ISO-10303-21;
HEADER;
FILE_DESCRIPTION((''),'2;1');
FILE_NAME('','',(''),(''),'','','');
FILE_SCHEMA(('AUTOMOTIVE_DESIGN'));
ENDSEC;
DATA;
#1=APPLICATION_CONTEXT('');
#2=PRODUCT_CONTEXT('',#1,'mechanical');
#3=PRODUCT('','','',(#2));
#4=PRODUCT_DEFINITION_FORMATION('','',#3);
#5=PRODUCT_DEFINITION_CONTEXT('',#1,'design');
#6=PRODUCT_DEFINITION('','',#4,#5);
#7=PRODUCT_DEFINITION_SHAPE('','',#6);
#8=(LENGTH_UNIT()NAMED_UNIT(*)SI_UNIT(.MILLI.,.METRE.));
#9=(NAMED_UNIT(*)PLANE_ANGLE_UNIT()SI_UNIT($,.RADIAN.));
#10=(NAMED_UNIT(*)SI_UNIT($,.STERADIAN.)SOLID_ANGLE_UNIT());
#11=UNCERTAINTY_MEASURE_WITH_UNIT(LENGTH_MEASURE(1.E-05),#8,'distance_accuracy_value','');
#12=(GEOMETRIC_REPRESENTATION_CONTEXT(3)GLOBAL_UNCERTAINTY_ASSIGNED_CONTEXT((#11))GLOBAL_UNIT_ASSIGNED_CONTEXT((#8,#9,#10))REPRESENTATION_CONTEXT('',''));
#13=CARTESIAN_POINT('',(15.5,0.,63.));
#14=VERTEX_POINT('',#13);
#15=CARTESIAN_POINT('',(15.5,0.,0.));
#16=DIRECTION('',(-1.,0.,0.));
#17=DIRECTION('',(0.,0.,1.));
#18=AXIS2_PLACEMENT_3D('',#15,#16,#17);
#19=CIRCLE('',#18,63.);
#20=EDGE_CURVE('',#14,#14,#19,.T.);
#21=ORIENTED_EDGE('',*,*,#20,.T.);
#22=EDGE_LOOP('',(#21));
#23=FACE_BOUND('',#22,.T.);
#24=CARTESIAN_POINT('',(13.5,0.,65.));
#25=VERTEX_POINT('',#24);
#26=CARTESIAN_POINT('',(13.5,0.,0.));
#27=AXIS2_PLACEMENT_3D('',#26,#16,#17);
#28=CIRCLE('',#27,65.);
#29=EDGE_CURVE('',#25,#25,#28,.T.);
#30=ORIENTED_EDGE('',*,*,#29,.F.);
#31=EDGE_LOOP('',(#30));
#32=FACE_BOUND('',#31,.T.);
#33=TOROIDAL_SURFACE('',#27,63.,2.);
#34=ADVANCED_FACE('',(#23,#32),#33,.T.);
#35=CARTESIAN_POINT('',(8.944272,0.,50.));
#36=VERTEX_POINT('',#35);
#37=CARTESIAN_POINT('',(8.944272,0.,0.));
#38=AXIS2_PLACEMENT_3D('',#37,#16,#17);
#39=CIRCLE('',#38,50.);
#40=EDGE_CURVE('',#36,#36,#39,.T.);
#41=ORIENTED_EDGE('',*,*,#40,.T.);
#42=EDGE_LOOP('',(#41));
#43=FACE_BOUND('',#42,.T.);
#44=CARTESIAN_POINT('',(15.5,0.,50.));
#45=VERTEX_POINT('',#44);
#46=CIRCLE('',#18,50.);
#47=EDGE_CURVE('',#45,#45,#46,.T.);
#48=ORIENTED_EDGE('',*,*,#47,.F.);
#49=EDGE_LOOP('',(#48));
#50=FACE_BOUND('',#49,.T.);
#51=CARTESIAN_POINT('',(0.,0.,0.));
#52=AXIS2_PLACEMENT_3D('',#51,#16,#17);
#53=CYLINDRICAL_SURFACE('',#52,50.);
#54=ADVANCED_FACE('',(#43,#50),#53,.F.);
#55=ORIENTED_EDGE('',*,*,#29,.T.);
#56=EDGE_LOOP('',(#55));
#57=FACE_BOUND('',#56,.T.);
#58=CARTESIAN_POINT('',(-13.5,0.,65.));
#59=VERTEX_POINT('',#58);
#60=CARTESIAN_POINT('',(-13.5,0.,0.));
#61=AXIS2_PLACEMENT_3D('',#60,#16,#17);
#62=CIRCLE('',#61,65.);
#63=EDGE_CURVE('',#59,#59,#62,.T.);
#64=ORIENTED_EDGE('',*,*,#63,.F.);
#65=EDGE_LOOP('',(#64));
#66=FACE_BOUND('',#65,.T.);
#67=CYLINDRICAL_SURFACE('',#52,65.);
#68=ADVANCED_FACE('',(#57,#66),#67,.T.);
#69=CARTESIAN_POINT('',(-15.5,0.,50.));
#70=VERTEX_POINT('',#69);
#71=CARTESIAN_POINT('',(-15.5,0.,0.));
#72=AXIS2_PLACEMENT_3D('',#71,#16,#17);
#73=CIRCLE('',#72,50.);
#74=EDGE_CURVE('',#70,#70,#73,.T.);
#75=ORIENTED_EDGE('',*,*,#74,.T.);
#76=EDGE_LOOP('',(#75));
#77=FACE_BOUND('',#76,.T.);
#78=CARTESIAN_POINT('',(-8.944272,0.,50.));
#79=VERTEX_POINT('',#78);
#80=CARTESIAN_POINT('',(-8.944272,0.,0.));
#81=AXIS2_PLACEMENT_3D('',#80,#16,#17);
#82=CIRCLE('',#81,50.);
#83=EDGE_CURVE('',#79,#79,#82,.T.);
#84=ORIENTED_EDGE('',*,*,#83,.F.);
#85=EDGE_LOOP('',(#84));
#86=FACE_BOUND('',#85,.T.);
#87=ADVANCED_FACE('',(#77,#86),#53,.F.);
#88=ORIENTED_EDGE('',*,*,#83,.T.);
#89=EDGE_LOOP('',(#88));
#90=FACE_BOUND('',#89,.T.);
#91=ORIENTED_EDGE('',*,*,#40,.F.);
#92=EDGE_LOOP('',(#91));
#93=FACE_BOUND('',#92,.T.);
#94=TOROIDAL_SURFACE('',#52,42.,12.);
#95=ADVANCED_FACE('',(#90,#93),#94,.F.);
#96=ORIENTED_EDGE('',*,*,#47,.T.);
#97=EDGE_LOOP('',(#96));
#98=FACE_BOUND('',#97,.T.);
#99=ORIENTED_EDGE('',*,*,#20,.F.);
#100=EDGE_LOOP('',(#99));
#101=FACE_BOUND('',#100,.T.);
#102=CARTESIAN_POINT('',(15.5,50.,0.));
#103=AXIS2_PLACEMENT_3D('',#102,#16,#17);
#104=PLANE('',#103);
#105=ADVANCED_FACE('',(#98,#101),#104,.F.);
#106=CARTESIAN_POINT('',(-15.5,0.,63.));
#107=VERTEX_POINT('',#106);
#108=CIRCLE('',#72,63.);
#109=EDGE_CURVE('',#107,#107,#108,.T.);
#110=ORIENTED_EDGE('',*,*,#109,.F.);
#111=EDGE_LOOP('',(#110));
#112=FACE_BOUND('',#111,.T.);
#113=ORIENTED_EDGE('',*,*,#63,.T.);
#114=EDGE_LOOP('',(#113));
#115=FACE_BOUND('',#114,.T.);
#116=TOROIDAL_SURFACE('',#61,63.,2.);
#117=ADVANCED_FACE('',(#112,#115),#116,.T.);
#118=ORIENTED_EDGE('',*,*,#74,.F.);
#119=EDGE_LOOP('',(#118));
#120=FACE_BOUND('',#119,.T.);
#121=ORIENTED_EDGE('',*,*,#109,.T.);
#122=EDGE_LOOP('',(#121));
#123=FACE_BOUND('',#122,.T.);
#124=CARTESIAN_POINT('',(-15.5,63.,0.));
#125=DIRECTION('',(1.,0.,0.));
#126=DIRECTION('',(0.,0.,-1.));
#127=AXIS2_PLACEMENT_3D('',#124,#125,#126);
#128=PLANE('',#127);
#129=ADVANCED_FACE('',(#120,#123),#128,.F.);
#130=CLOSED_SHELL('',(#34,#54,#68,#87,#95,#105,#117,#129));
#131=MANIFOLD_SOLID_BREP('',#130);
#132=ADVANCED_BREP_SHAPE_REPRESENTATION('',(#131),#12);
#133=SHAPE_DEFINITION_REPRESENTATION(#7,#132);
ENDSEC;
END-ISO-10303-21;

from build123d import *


with BuildPart() as part:
    # Sketch1 → Revolve1 (revolve)
    with BuildSketch(Plane.XY, mode=Mode.PRIVATE) as revolve1_sk:
        with BuildLine():
            Line((-13.5, 65), (13.5, 65))
            ThreePointArc((13.5, 65), (14.914213562, 64.414213562), (15.5, 63))
            Line((15.5, 63), (15.5, 50))
            Line((15.5, 50), (8.94427191, 50))
            ThreePointArc((8.94427191, 50), (0, 54), (-8.94427191, 50))
            Line((-8.94427191, 50), (-15.5, 50))
            Line((-15.5, 50), (-15.5, 63))
            ThreePointArc((-15.5, 63), (-14.914213562, 64.414213562), (-13.5, 65))
        make_face()
    revolve(revolve1_sk.sketch.rotate(Axis((0, 0, 0), (1, 0, 0)), 90), axis=Axis((0, 0, 0), (1, 0, 0)))


solid = part.part
